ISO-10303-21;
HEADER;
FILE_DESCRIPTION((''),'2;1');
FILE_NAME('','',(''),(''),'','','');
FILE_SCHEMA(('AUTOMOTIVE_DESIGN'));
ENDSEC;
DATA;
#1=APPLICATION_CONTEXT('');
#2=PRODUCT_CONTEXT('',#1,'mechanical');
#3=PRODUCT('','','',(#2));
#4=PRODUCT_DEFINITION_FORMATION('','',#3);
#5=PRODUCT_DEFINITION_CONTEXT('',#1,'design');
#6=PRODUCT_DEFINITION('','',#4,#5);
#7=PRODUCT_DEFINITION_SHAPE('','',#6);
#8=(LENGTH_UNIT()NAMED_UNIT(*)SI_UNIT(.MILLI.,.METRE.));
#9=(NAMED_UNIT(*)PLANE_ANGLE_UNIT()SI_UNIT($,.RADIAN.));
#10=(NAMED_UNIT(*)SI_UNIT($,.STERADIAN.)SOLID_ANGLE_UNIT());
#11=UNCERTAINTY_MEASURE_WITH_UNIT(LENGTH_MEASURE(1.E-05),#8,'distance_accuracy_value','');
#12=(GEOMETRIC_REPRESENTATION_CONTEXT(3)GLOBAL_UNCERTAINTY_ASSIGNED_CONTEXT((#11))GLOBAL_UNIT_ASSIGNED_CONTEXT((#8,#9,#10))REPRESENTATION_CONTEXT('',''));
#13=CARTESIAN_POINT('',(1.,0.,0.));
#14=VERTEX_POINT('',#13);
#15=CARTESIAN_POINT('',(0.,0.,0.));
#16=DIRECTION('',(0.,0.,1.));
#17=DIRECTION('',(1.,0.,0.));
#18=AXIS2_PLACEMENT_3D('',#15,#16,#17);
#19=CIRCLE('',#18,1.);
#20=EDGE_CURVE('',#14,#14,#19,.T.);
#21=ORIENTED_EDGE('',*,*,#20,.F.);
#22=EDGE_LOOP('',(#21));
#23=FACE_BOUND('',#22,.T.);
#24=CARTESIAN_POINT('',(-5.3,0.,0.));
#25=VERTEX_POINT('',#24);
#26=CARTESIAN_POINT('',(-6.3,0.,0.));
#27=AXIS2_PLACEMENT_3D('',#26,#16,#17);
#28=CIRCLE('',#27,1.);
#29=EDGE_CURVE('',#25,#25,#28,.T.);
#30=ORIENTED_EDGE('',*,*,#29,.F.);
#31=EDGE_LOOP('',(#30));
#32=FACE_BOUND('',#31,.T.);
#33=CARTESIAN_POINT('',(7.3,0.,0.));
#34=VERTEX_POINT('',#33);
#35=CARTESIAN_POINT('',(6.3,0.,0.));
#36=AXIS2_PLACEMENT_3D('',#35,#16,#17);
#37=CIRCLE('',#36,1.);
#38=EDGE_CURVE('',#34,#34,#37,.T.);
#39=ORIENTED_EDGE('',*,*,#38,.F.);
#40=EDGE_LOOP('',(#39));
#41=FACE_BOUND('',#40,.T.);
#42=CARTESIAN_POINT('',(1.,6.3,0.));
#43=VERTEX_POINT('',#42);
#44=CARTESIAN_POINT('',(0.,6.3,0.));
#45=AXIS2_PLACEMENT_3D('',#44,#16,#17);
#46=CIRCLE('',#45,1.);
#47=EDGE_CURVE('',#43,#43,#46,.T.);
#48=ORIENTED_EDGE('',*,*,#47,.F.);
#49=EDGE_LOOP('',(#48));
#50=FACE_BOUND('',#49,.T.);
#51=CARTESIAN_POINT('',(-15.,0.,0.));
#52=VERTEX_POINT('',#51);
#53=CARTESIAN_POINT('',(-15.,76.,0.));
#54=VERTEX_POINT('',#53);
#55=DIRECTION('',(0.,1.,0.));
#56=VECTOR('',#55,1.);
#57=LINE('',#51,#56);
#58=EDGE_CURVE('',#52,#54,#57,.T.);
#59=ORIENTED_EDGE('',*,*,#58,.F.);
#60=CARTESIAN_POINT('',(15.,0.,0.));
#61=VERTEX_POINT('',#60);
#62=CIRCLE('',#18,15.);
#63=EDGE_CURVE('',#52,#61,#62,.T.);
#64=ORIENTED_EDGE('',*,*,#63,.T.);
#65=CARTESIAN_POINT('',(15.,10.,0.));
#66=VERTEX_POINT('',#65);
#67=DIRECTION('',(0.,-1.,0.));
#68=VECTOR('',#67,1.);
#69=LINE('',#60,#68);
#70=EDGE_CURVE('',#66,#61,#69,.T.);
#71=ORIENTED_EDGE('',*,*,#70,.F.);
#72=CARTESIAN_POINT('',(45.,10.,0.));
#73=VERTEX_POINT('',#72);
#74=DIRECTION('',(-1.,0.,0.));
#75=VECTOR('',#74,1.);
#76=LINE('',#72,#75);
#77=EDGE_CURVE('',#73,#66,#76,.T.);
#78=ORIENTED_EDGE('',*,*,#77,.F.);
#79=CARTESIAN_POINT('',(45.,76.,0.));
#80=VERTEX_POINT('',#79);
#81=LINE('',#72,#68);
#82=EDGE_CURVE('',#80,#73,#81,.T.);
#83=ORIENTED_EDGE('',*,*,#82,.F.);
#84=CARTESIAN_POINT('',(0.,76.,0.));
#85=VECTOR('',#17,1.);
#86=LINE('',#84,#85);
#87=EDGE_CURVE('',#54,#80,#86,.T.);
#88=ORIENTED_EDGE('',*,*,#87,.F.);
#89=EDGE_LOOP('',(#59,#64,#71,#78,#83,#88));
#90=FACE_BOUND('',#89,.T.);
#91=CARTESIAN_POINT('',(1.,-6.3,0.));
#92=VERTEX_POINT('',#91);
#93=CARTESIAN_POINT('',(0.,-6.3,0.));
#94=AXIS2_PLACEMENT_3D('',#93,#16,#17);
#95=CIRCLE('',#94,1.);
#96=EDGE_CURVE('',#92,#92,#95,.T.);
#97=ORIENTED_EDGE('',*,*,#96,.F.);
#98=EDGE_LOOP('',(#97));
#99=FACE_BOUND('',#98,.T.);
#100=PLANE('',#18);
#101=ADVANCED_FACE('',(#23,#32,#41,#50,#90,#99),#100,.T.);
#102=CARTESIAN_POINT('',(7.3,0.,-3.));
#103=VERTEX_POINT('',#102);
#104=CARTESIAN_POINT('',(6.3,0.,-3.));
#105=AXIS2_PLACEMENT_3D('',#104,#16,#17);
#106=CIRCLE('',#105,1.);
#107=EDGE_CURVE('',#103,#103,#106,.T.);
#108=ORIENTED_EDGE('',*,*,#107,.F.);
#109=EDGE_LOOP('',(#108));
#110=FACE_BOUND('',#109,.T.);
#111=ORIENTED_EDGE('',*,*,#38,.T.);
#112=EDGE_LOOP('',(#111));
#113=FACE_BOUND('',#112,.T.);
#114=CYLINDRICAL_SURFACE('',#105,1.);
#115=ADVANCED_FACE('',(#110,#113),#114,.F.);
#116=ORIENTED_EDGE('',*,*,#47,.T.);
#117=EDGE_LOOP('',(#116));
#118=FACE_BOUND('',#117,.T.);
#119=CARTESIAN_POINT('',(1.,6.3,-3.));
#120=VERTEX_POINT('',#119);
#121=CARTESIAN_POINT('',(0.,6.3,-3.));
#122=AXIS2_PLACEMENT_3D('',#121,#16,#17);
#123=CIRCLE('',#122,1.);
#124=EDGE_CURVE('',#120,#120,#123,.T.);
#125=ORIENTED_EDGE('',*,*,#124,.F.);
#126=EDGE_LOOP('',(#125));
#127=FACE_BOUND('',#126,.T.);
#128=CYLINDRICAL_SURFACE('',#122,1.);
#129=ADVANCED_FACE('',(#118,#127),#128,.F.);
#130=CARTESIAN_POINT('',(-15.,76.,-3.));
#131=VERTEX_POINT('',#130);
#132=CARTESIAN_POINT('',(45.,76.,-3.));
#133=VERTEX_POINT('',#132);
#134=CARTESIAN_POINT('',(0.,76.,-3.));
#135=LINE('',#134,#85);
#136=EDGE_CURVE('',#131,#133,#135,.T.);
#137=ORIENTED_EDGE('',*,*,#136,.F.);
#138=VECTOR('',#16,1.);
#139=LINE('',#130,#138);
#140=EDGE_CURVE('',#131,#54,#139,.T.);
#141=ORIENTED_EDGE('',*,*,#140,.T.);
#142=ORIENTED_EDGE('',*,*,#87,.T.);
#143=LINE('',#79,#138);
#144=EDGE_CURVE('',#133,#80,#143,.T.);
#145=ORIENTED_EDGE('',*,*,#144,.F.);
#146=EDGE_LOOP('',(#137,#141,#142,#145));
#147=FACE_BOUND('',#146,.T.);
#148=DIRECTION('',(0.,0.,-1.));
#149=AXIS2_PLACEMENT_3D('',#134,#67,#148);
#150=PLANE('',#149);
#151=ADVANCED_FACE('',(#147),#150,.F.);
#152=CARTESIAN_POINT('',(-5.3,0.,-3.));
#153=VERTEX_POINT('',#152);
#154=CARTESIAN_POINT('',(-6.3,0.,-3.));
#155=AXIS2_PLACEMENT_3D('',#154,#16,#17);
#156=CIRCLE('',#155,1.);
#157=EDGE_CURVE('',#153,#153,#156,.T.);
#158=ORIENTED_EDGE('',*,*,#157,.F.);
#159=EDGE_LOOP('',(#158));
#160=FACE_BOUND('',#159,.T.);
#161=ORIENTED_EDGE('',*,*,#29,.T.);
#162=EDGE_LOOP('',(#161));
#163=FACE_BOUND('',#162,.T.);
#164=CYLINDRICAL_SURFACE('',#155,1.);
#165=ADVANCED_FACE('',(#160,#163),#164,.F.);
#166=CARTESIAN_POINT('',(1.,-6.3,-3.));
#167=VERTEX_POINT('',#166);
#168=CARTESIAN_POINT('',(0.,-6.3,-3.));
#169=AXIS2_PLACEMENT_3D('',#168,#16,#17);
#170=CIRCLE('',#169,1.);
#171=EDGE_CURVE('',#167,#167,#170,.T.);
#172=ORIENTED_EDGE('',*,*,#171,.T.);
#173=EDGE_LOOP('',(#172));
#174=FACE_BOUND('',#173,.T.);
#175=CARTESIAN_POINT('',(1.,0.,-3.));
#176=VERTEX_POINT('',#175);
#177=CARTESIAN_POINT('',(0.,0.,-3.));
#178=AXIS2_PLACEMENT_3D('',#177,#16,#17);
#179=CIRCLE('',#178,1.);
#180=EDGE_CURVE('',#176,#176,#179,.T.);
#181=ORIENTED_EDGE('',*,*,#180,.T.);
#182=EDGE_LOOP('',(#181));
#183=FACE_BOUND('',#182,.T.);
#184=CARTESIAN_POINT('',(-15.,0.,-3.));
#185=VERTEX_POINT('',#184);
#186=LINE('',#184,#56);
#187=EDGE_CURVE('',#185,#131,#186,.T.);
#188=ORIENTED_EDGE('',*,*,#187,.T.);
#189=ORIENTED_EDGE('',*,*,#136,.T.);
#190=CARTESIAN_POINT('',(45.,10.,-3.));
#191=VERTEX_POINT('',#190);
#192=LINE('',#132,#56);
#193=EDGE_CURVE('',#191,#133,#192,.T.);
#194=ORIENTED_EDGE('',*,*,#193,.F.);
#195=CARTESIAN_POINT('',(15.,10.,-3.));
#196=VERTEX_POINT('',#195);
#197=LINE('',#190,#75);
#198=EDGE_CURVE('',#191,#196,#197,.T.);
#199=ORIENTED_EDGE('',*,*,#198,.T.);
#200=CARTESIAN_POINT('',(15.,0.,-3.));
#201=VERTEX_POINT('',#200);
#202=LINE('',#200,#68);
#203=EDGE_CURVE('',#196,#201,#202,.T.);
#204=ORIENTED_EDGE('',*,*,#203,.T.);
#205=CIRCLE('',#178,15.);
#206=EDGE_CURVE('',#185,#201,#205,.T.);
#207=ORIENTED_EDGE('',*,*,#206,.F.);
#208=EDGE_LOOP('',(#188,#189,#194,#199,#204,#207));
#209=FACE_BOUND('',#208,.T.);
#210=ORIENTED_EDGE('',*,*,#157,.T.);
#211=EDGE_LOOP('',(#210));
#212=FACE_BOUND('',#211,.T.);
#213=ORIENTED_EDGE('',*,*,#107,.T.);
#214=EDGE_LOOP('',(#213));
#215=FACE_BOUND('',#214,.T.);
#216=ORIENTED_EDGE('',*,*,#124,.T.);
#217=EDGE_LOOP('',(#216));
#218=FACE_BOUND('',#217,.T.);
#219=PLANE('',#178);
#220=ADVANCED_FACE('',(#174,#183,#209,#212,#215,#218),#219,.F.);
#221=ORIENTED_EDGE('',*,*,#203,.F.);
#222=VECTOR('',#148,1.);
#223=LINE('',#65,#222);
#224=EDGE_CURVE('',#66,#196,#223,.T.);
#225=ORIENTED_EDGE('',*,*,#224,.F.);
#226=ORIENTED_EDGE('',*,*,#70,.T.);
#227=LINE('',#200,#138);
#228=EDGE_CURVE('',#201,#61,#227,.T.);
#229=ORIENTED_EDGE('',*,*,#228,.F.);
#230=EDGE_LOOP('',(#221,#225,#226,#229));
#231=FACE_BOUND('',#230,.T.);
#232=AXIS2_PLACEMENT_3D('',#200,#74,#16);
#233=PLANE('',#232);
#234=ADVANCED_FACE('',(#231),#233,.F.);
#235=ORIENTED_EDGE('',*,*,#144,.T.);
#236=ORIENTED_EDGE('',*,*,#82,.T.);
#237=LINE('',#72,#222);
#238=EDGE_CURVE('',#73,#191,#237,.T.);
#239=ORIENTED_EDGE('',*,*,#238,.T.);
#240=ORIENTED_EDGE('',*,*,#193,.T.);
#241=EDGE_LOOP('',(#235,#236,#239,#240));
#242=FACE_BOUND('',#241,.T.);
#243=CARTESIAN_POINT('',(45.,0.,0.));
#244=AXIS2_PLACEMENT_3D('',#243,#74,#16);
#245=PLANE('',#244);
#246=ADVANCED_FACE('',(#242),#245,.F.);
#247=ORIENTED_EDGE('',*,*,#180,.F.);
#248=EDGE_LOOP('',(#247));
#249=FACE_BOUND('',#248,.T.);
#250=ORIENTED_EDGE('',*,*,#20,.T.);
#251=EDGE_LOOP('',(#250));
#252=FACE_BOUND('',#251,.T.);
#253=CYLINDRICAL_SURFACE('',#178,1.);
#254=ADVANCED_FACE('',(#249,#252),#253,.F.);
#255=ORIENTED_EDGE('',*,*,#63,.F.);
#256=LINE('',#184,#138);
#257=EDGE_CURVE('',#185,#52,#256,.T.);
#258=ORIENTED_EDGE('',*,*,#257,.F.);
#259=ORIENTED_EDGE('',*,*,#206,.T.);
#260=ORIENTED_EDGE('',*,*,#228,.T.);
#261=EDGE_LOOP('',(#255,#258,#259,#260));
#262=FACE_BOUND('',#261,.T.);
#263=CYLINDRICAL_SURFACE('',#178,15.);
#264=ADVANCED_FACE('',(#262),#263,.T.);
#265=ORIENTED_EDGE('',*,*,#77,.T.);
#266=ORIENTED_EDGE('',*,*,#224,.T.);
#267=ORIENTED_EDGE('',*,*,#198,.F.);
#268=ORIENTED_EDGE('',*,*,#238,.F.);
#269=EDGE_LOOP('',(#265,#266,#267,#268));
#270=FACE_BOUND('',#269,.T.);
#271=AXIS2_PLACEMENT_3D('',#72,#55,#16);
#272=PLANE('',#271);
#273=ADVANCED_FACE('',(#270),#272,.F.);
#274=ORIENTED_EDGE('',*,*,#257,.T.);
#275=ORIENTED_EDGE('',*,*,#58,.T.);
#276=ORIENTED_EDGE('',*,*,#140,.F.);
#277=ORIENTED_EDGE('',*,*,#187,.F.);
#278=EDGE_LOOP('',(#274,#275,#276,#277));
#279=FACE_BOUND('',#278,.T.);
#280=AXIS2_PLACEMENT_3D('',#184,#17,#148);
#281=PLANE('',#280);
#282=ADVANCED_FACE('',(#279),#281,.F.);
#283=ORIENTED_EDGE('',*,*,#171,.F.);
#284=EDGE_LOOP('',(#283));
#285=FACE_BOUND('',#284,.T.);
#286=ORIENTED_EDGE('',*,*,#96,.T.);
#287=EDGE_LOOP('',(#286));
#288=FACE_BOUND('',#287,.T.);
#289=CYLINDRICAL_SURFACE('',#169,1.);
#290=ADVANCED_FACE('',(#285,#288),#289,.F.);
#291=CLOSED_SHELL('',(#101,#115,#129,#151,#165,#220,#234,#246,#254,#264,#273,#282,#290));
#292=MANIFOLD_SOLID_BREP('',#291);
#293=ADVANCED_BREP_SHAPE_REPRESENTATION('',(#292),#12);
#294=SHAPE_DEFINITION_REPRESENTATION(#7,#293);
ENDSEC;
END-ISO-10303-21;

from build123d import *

# Parameters (mm, degrees)
SKETCH_1_R      = 15
SKETCH_1_R_2    = 1
EXTRUDE_1_DEPTH = 3
SKETCH_2_W      = 3
SKETCH_2_H      = 66
EXTRUDE_2_DEPTH = 30


with BuildPart() as part:
    # 草圖1 → 填料-伸長1 (new body)
    with BuildSketch(Plane.XY):
        Circle(SKETCH_1_R)
        with Locations((0, 6.3)):
            Circle(SKETCH_1_R_2, mode=Mode.SUBTRACT)
        with Locations((-6.3, 0)):
            Circle(SKETCH_1_R_2, mode=Mode.SUBTRACT)
        with Locations((0, -6.3)):
            Circle(SKETCH_1_R_2, mode=Mode.SUBTRACT)
        with Locations((6.3, 0)):
            Circle(SKETCH_1_R_2, mode=Mode.SUBTRACT)
        Circle(SKETCH_1_R_2, mode=Mode.SUBTRACT)
        with BuildLine():
            Line((-15, 76), (-15, 0))
            ThreePointArc((-15, 0), (0, 15), (15, 0))
            Line((15, 0), (15, 76))
            Line((15, 76), (-15, 76))
        make_face()
    extrude(amount=-EXTRUDE_1_DEPTH)

    # 草圖2 → 填料-伸長2 (add)
    with BuildSketch(Plane(origin=(15, 0, 0), x_dir=(0, 0, -1), z_dir=(1, 0, 0))):
        with Locations((1.5, 43)):
            Rectangle(SKETCH_2_W, SKETCH_2_H)
    extrude(amount=EXTRUDE_2_DEPTH)


solid = part.part
